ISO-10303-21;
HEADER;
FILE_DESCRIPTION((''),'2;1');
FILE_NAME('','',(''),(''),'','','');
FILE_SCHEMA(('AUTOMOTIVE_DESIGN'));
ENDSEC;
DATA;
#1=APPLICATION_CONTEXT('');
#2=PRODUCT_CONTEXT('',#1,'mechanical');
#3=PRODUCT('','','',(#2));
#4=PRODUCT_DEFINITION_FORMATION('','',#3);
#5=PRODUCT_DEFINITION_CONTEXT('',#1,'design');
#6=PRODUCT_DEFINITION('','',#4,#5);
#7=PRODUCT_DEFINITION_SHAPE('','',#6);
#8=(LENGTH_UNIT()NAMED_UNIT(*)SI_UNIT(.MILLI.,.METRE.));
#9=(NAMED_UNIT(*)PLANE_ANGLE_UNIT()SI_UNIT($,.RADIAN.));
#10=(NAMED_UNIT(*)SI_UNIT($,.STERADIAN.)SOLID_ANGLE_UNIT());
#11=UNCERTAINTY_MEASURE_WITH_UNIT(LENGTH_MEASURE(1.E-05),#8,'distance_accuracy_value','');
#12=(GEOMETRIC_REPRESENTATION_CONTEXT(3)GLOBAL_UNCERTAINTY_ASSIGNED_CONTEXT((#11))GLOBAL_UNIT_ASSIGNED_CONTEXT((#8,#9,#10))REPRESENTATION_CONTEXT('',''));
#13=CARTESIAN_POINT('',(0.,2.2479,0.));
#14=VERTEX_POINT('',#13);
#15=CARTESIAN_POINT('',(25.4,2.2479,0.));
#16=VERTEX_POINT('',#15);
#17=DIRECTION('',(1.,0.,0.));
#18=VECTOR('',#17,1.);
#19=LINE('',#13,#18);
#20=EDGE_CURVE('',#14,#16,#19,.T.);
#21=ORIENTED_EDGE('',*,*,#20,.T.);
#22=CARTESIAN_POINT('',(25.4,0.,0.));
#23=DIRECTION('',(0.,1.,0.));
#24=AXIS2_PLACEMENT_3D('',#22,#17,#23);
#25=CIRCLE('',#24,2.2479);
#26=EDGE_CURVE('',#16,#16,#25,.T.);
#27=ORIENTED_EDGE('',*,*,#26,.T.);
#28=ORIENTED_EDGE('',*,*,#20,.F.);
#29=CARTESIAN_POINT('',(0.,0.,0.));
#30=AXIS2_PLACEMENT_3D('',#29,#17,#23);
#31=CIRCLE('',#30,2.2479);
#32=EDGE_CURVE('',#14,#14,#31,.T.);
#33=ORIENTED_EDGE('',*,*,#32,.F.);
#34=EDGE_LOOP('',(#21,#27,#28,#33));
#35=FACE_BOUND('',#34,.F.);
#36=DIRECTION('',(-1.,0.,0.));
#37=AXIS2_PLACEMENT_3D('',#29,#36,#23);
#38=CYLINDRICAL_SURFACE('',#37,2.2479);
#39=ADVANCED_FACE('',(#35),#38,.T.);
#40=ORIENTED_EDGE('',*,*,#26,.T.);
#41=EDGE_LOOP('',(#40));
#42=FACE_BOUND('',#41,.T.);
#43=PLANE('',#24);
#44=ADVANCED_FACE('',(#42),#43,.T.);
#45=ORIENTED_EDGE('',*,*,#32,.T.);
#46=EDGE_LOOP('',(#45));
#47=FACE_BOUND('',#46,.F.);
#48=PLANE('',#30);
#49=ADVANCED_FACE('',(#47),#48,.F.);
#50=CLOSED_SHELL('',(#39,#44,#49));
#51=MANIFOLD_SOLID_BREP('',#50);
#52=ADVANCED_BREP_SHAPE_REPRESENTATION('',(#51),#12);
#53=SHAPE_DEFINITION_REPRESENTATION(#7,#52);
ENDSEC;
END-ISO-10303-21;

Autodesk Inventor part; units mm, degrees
ref_plane "YZ Plane" through (0, 0, 0) normal (1, 0, 0) x (0, 1, 0)
ref_plane "XZ Plane" through (0, 0, 0) normal (0, 1, 0) x (-1, 0, 0)
ref_plane "XY Plane" through (0, 0, 0) normal (0, 0, 1) x (1, 0, 0)
sketch "Sketch1" plane through (0, 0, 0) normal (1, 0, 0) x (0, 1, 0)
  circle A0 centre (0, 0) radius 2.2479
  dimension "d0" = 4.4958
extrude "Extrusion1" add sketch "Sketch1" along normal blind 25.4
properties part number "SLIDER CRANK-ROLL"
